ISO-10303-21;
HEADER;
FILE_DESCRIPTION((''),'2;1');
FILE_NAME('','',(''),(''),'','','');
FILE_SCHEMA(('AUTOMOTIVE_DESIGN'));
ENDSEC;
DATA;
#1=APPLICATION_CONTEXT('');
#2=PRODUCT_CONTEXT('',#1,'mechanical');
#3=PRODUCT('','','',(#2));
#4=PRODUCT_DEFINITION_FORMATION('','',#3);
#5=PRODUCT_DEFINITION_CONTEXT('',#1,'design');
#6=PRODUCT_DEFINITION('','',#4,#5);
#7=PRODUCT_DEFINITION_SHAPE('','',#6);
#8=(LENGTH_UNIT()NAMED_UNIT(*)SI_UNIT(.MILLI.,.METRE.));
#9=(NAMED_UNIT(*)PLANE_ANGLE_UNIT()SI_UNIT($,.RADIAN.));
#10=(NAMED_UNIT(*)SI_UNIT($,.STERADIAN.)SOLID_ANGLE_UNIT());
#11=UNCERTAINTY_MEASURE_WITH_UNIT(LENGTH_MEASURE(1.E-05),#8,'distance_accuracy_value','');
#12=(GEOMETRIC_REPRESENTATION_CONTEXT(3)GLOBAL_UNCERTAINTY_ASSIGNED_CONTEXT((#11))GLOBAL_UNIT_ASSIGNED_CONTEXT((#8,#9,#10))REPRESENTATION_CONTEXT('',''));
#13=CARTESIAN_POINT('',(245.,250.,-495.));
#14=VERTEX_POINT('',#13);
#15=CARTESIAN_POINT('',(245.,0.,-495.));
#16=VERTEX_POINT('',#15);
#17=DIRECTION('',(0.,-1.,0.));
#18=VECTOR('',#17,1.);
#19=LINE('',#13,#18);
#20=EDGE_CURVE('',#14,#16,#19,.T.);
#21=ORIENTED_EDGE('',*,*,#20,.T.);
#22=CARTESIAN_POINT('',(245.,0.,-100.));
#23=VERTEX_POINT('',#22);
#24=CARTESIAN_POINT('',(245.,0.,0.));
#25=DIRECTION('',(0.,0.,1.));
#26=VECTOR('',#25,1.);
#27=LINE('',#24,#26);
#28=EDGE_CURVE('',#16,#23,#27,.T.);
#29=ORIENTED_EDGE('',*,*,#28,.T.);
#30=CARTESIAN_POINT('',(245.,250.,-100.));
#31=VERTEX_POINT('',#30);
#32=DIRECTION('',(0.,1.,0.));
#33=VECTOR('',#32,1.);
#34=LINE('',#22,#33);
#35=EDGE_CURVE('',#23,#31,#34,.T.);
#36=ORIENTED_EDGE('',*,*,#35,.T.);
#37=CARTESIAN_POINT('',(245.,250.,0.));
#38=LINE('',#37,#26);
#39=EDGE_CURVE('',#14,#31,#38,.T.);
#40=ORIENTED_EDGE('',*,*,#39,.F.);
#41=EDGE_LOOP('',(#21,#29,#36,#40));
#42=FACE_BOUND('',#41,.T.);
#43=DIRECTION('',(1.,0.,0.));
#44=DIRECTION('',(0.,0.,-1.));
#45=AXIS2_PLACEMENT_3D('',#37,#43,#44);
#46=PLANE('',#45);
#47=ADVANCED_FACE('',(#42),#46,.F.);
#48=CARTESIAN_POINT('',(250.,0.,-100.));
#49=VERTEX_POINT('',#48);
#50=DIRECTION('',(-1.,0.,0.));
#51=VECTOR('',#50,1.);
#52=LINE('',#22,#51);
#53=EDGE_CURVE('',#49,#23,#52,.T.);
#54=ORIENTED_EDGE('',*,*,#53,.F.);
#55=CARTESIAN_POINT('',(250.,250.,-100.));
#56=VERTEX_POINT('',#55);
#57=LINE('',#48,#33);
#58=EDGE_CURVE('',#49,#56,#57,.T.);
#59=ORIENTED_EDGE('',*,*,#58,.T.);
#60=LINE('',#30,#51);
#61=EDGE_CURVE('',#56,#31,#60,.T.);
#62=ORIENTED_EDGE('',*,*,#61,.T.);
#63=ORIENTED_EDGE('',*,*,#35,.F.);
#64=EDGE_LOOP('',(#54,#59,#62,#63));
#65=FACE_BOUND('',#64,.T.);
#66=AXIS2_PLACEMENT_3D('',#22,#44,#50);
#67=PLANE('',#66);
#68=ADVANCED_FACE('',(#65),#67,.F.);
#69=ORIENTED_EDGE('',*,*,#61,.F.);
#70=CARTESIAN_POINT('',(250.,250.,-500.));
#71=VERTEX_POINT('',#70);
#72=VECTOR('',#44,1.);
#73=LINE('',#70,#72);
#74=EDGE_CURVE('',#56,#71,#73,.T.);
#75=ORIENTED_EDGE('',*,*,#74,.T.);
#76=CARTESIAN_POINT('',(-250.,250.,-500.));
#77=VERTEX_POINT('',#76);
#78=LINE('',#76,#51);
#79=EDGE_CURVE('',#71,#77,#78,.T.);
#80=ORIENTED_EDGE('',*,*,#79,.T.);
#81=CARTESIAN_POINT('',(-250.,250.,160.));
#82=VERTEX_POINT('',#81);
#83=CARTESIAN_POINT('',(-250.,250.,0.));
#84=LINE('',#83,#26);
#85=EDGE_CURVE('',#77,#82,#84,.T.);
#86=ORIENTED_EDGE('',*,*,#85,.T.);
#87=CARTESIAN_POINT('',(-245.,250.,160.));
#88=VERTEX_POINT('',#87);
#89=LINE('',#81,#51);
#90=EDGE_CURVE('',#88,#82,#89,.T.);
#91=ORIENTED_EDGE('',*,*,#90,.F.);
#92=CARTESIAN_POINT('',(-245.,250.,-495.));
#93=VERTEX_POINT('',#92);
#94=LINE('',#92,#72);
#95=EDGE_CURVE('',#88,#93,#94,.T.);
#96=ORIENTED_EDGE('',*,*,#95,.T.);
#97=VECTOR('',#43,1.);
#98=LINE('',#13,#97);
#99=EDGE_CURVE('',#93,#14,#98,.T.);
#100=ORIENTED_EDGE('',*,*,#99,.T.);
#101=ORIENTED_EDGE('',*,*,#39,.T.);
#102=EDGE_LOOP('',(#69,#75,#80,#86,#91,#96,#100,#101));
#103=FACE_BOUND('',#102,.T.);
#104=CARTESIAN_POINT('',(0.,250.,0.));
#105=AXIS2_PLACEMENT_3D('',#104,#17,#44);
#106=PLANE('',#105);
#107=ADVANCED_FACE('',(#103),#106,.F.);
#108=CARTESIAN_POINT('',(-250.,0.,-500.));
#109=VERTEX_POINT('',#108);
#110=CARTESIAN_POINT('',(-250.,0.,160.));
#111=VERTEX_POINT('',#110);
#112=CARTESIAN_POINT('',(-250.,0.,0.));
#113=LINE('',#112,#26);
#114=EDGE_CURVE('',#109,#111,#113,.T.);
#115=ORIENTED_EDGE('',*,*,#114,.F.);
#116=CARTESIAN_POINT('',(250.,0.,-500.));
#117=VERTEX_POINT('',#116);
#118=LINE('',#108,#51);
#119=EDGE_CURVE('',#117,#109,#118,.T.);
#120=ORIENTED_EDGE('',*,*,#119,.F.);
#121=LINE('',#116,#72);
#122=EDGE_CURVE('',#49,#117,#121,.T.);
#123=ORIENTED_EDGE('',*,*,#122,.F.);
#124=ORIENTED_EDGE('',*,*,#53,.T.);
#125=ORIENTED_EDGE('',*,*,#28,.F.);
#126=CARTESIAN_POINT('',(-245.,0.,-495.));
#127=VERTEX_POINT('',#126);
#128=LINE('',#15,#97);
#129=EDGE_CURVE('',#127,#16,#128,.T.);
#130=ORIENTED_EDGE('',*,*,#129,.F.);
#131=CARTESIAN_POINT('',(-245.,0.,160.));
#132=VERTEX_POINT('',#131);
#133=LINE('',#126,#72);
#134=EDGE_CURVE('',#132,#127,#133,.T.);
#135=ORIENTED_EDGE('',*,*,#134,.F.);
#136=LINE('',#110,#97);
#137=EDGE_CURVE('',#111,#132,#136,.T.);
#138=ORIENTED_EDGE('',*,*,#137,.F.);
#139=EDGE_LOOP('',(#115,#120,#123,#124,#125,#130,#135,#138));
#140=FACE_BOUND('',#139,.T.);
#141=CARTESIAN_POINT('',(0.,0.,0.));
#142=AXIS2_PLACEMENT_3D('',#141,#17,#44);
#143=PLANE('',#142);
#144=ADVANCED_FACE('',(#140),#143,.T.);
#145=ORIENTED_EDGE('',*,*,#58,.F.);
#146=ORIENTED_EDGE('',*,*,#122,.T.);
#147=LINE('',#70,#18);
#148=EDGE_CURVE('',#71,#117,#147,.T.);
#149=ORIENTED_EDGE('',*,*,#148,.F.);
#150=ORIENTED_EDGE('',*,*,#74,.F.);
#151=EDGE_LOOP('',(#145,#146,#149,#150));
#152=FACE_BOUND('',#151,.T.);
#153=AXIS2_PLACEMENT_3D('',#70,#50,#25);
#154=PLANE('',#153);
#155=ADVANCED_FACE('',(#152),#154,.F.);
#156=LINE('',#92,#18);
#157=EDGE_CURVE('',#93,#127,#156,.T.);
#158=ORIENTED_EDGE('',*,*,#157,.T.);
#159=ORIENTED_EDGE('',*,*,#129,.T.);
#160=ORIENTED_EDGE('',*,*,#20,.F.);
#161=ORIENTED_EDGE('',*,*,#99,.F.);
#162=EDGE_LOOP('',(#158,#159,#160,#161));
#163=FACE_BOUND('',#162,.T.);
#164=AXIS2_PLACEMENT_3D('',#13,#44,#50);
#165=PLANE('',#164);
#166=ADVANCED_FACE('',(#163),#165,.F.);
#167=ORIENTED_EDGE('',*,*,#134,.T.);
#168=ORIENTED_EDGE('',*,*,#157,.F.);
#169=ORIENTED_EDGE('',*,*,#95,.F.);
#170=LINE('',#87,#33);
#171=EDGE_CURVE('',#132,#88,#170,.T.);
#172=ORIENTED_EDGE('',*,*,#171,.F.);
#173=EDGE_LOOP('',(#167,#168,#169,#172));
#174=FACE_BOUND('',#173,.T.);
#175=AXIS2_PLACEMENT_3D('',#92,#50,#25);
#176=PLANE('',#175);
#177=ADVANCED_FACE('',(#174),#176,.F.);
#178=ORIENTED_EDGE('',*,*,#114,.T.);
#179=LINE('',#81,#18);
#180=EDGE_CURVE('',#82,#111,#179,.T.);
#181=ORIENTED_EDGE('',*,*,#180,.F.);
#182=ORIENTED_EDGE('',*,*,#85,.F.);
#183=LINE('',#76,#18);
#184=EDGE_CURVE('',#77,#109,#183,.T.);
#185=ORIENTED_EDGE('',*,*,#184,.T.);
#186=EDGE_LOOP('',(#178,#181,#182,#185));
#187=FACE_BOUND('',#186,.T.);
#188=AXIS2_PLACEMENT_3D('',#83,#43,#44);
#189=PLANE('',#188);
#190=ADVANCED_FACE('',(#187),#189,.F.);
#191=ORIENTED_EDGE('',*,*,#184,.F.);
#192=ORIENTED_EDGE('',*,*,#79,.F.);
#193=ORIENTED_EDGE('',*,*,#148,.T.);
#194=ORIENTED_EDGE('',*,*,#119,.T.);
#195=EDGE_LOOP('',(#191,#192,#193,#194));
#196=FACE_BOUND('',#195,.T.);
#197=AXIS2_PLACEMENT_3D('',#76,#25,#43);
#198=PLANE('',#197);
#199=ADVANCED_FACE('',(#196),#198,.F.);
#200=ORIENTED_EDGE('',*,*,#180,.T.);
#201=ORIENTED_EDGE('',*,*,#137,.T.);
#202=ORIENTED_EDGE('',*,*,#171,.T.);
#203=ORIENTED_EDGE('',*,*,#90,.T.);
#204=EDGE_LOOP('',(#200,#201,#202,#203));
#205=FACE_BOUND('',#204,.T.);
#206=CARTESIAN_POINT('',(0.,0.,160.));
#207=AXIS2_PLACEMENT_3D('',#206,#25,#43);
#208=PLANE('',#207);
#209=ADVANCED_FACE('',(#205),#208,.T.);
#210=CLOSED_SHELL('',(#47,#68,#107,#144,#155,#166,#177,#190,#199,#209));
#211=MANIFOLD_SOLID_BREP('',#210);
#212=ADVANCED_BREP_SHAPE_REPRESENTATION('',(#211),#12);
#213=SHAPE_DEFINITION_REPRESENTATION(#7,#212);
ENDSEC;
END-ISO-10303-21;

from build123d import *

# Parameters (mm, degrees)
BOSS_EXTRUDE1_DEPTH = 250
SKETCH3_W           = 5
SKETCH3_H           = 100
CUT_EXTRUDE1_DEPTH  = 250
SKETCH4_W           = 5
SKETCH4_H           = 250
BOSS_EXTRUDE2_DEPTH = 160


with BuildPart() as part:
    # Sketch1 → Boss-Extrude1 (new body)
    with BuildSketch(Plane(origin=(0, 0, 0), x_dir=(1, 0, 0), z_dir=(0, 1, 0))):
        Polygon((-250, 0), (-250, 500), (250, 500), (250, 0), (245, 0), (245, 495), (-245, 495), (-245, 0), align=None)
    extrude(amount=BOSS_EXTRUDE1_DEPTH)

    # Sketch3 → Cut-Extrude1 (cut)
    with BuildSketch(Plane(origin=(0, 250, 0), x_dir=(1, 0, 0), z_dir=(0, 1, 0))):
        with Locations((247.5, 50)):
            Rectangle(SKETCH3_W, SKETCH3_H)
    extrude(amount=-CUT_EXTRUDE1_DEPTH, mode=Mode.SUBTRACT)

    # Sketch4 → Boss-Extrude2 (add)
    with BuildSketch(Plane.XY):
        with Locations((-247.5, 125)):
            Rectangle(SKETCH4_W, SKETCH4_H)
    extrude(amount=BOSS_EXTRUDE2_DEPTH)


solid = part.part
